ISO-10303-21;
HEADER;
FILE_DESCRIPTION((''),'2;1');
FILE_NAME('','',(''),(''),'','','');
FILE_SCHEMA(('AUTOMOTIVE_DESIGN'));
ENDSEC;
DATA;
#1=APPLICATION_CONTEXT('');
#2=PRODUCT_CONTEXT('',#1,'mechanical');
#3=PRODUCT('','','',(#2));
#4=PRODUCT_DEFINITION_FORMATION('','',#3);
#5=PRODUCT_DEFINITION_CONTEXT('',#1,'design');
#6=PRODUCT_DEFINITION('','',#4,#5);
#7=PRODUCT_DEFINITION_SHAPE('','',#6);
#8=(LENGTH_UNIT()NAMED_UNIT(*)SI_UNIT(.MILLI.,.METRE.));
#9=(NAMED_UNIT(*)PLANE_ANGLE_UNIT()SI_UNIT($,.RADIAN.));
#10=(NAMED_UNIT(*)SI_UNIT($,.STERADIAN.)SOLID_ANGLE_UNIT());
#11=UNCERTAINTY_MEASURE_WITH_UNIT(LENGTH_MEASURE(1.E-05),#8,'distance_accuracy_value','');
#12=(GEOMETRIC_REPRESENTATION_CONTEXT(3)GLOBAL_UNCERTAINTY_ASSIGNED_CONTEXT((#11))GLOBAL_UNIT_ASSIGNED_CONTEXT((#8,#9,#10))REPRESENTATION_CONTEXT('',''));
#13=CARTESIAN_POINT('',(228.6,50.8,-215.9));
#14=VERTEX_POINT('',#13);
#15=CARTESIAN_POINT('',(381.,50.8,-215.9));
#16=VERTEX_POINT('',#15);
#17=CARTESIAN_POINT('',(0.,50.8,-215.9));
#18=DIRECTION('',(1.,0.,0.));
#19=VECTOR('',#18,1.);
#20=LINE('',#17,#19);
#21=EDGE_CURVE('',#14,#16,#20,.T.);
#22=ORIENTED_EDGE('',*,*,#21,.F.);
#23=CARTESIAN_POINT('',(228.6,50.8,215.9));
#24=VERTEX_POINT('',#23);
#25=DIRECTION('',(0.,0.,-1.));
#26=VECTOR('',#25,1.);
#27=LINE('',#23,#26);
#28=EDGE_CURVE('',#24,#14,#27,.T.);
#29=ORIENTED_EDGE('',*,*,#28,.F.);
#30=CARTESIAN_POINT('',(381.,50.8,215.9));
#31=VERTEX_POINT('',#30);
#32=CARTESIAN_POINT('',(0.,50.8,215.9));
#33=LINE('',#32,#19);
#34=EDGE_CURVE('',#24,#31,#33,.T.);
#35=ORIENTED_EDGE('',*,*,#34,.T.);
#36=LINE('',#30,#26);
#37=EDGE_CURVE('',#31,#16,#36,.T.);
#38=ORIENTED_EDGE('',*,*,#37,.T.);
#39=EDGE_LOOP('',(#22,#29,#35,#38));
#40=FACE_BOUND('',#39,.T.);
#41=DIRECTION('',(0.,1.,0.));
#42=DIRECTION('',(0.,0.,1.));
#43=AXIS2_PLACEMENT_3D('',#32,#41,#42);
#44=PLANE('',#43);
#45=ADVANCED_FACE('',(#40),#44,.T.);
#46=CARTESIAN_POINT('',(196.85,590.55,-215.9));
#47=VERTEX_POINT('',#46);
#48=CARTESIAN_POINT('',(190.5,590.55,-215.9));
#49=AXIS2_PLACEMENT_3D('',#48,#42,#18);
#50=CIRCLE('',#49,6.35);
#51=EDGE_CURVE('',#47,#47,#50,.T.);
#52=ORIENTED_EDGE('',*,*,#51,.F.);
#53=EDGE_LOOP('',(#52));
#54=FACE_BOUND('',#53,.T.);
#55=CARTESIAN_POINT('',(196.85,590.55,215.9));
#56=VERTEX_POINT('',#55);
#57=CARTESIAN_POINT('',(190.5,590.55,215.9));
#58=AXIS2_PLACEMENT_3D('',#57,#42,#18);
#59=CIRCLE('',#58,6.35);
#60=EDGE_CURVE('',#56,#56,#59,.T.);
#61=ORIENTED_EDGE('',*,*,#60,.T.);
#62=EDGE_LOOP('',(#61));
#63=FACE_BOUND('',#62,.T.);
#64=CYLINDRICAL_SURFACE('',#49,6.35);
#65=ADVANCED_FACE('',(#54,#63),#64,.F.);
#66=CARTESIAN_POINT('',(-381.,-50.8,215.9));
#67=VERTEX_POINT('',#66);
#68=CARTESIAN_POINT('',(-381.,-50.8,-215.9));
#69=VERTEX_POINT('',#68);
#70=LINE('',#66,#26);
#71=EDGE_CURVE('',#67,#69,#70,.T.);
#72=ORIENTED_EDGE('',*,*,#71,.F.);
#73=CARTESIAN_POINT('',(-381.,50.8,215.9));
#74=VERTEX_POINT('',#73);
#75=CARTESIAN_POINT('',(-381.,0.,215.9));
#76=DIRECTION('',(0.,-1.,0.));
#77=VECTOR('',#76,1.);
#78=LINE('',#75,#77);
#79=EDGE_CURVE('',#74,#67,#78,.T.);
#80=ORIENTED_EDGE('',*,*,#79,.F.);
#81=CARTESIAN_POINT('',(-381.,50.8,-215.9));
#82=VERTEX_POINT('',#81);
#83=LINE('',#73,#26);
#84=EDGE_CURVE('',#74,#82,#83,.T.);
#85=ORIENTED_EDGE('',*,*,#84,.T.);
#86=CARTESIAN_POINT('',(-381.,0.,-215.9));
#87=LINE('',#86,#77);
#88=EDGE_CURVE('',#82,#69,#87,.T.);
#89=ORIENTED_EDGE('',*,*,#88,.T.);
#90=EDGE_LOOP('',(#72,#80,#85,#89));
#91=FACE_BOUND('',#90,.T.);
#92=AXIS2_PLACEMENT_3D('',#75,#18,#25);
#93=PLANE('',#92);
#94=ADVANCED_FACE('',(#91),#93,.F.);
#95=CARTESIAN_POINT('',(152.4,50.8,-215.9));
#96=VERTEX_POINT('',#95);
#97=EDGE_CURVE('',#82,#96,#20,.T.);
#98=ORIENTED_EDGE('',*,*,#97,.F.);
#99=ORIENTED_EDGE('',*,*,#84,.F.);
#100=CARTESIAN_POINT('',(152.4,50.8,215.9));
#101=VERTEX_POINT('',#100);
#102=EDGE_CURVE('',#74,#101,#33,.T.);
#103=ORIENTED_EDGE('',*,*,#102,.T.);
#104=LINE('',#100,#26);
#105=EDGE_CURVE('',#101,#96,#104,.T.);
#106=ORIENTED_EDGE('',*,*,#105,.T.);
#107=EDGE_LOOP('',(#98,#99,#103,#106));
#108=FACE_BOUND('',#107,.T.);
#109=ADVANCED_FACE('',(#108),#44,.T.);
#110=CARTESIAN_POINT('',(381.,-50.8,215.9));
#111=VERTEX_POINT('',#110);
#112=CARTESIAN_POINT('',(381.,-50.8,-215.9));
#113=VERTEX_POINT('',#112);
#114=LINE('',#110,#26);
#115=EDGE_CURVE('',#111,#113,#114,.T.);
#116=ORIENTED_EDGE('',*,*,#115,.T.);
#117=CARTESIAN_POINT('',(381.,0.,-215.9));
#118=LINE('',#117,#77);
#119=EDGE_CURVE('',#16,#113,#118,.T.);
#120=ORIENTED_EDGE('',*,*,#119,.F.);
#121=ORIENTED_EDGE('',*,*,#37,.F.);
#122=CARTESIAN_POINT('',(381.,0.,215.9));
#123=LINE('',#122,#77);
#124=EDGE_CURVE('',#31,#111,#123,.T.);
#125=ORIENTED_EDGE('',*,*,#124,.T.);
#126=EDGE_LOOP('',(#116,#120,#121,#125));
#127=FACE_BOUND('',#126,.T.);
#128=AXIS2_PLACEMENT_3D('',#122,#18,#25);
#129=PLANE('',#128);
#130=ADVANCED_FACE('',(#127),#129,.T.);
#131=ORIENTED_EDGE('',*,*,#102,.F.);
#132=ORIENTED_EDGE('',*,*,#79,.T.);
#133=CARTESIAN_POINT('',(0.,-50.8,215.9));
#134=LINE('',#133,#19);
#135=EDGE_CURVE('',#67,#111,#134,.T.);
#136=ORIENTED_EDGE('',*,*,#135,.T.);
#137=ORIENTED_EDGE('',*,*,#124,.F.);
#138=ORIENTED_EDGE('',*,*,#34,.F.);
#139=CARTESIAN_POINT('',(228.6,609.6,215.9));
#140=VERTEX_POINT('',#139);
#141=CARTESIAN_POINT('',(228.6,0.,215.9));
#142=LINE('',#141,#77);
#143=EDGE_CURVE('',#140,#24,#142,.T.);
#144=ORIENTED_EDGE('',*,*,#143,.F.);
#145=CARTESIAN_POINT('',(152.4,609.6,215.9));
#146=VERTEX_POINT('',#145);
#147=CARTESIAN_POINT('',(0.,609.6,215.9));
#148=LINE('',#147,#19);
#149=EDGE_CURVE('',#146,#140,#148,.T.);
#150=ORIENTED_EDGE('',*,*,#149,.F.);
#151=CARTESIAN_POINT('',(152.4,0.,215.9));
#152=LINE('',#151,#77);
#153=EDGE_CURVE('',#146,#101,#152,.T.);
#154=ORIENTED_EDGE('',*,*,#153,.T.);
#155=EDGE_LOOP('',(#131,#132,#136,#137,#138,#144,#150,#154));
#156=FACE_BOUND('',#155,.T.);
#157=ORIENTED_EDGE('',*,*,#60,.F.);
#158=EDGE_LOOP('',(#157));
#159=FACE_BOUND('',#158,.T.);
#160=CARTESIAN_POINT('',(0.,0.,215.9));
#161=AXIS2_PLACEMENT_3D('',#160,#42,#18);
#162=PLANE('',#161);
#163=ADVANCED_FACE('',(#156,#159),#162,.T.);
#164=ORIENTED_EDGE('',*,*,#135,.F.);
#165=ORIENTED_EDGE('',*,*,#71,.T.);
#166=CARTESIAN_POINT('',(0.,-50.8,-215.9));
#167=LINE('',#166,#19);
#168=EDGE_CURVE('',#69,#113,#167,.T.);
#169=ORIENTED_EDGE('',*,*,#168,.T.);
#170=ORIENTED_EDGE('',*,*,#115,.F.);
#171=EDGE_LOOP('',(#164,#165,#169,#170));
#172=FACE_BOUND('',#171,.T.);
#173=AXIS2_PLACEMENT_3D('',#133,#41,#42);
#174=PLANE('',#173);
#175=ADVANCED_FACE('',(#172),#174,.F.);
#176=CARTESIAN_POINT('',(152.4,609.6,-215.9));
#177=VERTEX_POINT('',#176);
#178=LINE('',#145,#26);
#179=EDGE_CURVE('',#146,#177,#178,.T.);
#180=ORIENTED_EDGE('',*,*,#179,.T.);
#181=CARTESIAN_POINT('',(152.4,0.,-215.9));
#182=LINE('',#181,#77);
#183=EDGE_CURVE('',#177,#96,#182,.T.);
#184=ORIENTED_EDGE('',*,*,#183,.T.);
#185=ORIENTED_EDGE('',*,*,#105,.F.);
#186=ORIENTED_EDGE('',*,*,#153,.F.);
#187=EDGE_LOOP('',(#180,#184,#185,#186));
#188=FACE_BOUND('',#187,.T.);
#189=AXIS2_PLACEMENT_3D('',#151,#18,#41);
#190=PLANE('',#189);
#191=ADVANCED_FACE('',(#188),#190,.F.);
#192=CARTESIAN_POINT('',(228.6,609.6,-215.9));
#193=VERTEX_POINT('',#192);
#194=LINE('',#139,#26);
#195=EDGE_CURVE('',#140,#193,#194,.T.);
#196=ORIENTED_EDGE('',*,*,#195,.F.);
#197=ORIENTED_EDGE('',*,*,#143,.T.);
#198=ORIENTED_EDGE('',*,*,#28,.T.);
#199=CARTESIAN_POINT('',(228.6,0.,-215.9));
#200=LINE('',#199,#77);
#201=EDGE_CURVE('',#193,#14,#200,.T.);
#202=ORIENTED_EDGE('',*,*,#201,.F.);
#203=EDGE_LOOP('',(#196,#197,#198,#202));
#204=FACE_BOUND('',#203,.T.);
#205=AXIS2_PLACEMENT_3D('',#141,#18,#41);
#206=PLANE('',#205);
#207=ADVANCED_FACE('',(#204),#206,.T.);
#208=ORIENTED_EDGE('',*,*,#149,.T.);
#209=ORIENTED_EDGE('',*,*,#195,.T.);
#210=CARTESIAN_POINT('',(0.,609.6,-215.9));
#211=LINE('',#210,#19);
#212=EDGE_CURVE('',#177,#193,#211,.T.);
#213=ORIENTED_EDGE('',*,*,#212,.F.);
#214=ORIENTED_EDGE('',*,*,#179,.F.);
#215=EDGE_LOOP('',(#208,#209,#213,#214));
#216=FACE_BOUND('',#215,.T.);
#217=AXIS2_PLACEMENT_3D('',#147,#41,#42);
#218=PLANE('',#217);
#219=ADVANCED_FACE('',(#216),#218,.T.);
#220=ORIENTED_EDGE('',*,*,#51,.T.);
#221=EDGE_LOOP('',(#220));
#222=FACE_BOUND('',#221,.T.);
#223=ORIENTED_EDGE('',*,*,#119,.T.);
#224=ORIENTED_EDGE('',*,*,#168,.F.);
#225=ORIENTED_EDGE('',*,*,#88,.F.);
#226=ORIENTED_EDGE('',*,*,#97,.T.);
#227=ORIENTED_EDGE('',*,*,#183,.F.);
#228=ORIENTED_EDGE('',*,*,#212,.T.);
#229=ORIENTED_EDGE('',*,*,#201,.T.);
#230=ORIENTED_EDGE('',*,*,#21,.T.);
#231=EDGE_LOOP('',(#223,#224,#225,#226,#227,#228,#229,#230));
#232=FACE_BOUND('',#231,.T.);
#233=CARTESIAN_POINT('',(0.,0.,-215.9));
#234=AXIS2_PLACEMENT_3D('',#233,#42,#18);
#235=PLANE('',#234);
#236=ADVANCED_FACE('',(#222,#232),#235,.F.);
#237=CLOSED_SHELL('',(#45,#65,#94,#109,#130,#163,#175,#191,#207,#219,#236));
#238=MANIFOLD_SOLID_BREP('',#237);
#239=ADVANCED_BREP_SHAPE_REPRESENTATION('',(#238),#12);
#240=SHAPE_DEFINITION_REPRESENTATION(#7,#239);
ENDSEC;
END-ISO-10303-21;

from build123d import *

# Parameters (mm, degrees)
SKETCH1_W           = 762
SKETCH1_H           = 101.6
SKETCH1_W_2         = 76.2
SKETCH1_H_2         = 558.8
BOSS_EXTRUDE1_DEPTH = 215.9
SKETCH2_R           = 6.35
CUT_EXTRUDE1_DEPTH  = 432.8


with BuildPart() as part:
    # Sketch1 → Boss-Extrude1 (new body, symmetric)
    with BuildSketch(Plane.XY):
        Rectangle(SKETCH1_W, SKETCH1_H)
        with Locations((190.5, 330.2)):
            Rectangle(SKETCH1_W_2, SKETCH1_H_2)
    extrude(amount=BOSS_EXTRUDE1_DEPTH, both=True)

    # Sketch2 → Cut-Extrude1 (cut, through all)
    with BuildSketch(Plane.XY.offset(215.9)):
        with Locations((190.5, 590.55)):
            Circle(SKETCH2_R)
    extrude(amount=-CUT_EXTRUDE1_DEPTH, mode=Mode.SUBTRACT)


solid = part.part
